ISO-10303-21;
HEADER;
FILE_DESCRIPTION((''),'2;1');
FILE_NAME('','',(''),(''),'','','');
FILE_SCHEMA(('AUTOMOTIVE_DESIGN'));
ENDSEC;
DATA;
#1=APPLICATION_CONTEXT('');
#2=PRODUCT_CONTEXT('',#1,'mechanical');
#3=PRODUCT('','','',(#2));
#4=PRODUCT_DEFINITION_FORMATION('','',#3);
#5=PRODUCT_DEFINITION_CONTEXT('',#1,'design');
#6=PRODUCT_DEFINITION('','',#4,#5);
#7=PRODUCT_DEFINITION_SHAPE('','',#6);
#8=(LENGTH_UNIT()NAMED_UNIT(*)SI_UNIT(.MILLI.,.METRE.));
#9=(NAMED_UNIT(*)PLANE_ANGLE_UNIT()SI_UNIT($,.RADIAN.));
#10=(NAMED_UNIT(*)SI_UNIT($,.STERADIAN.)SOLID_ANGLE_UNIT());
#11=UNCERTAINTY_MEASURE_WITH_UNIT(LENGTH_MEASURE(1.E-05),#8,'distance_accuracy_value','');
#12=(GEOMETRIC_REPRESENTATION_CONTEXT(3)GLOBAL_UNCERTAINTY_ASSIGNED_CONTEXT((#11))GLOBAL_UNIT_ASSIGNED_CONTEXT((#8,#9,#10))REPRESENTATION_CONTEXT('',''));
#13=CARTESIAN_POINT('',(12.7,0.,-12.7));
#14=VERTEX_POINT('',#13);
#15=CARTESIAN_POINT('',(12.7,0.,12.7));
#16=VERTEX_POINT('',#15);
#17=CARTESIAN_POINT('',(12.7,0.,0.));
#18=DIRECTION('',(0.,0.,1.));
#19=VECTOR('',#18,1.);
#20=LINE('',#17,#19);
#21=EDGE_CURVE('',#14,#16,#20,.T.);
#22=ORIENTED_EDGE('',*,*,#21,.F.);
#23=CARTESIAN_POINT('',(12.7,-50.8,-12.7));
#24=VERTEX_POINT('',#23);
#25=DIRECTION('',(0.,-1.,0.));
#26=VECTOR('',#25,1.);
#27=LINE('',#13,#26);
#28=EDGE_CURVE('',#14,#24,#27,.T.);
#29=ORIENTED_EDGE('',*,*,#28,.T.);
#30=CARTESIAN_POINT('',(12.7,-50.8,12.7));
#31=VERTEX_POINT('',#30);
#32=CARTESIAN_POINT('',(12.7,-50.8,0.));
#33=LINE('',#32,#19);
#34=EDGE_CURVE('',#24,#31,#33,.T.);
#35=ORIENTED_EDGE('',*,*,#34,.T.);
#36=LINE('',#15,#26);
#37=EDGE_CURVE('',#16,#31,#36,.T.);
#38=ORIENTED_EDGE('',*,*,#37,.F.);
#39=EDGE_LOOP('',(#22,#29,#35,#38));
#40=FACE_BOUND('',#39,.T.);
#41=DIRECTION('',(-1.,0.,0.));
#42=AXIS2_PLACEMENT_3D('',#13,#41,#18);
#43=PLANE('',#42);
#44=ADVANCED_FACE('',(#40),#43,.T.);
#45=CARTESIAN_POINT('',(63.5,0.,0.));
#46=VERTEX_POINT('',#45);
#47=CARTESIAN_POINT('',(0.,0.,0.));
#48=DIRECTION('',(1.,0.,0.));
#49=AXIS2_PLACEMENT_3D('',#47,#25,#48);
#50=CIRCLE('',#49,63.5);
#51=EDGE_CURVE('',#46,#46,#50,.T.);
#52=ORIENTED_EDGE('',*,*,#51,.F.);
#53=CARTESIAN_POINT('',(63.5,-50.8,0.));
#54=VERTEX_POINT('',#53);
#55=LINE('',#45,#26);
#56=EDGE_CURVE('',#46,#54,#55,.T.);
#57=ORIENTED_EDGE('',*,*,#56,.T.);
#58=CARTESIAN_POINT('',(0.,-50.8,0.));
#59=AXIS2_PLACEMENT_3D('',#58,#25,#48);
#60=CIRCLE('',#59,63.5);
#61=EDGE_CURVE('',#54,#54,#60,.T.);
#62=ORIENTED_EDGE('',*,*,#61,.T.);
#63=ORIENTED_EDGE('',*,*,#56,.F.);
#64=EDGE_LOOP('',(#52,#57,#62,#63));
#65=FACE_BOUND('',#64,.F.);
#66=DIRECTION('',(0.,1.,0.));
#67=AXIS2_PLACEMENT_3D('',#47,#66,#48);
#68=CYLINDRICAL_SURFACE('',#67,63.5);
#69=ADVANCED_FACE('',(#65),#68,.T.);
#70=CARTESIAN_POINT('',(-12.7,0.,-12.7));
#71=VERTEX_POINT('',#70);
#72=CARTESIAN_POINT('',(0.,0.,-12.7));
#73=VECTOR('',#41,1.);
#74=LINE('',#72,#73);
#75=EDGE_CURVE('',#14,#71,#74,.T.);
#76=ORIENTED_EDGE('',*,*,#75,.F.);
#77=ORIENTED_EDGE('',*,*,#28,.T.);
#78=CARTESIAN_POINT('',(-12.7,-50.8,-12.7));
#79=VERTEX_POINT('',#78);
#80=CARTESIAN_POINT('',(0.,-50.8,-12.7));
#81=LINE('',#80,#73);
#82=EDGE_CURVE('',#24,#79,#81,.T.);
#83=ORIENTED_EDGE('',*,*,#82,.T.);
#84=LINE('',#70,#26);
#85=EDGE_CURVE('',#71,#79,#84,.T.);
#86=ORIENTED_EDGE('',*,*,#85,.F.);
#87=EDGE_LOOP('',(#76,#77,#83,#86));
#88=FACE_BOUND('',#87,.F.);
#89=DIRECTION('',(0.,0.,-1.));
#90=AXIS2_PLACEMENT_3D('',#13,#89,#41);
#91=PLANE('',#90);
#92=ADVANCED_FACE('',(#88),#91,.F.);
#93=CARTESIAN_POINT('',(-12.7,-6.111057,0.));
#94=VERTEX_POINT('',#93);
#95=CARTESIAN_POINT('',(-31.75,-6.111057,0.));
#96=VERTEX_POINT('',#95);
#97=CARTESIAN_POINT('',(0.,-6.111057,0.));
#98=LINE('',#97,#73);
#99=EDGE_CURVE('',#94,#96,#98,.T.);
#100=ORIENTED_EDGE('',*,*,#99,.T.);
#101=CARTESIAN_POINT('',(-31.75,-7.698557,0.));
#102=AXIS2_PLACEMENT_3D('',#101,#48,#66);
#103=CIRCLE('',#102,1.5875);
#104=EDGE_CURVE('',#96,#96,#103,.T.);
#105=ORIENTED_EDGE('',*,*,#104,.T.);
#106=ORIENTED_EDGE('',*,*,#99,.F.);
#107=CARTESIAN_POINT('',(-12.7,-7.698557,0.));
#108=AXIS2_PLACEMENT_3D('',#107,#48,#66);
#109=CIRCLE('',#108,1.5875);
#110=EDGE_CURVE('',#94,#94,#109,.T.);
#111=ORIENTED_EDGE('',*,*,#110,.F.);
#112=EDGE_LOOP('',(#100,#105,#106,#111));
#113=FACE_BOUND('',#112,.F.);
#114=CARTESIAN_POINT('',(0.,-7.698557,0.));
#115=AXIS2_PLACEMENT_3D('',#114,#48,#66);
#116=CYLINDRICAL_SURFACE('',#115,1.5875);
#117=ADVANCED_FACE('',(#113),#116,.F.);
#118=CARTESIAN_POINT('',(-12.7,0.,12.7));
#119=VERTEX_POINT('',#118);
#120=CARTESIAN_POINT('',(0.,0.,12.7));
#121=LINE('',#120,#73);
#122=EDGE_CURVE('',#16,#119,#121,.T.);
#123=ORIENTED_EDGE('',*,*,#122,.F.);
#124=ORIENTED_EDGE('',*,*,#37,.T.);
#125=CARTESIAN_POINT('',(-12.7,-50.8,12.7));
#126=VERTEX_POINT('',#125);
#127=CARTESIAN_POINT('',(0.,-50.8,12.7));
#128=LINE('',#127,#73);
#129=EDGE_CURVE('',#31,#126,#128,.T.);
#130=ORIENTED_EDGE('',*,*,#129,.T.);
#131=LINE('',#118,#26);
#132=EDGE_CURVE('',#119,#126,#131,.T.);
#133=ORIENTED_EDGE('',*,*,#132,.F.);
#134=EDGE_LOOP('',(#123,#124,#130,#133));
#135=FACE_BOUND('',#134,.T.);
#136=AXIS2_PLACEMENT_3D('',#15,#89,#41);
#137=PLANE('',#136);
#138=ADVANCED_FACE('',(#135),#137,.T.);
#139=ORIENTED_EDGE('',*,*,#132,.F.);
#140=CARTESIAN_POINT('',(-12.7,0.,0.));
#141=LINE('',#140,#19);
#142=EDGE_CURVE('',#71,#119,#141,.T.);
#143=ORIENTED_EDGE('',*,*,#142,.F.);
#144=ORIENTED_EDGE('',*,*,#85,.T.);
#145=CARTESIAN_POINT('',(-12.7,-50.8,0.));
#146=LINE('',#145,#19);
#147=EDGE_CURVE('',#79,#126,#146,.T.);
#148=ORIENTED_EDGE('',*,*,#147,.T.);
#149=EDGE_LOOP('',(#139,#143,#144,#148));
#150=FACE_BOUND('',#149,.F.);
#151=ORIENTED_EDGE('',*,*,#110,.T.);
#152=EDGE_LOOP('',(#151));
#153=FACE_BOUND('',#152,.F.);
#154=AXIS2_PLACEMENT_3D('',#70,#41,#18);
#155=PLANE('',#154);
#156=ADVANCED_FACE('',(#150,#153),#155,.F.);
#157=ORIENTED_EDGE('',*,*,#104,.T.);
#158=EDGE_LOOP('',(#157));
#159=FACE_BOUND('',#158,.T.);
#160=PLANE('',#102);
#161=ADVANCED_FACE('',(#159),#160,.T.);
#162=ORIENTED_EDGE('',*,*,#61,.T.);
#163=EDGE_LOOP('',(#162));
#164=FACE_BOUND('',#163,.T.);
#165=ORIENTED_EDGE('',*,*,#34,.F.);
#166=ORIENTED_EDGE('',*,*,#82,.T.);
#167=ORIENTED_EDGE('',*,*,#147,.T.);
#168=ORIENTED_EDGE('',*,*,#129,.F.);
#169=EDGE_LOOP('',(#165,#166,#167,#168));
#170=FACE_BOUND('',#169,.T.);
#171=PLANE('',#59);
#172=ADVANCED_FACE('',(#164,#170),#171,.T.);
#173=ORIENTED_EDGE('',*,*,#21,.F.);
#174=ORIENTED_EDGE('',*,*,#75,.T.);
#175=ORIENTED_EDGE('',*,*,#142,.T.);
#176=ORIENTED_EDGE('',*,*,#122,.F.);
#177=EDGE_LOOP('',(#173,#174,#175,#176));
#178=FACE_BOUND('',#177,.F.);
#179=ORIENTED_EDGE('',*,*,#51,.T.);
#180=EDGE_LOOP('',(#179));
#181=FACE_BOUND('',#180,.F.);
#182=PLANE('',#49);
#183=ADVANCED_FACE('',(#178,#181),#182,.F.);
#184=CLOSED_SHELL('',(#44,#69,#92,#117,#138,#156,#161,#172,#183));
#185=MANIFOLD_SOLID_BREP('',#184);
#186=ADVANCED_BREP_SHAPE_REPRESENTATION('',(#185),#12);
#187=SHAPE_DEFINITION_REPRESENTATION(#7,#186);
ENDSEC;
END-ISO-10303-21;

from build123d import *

# Parameters (mm, degrees)
F0_R     = 63.5
F1_DEPTH = 50.8
F2_W     = 25.4
F2_H     = 25.4
F3_DEPTH = 50.8
F4_R     = 1.5875
F5_DEPTH = 31.75


with BuildPart() as f1:
    # F0 (on Front) → F1 (new body)
    with BuildSketch(Plane.XZ):
        Circle(F0_R)
    extrude(amount=F1_DEPTH)

    # F2 (on face) → F3 (cut)
    with BuildSketch(Plane(origin=(0, 0, 0), x_dir=(-1, 0, 0), z_dir=(0, 1, 0))):
        Rectangle(F2_W, F2_H)
    extrude(amount=-F3_DEPTH, mode=Mode.SUBTRACT)

    # F4 (on Right) → F5 (cut)
    with BuildSketch(Plane.YZ):
        with Locations((-7.698557, 0)):
            Circle(F4_R)
    extrude(amount=-F5_DEPTH, mode=Mode.SUBTRACT)


solid = f1.part
